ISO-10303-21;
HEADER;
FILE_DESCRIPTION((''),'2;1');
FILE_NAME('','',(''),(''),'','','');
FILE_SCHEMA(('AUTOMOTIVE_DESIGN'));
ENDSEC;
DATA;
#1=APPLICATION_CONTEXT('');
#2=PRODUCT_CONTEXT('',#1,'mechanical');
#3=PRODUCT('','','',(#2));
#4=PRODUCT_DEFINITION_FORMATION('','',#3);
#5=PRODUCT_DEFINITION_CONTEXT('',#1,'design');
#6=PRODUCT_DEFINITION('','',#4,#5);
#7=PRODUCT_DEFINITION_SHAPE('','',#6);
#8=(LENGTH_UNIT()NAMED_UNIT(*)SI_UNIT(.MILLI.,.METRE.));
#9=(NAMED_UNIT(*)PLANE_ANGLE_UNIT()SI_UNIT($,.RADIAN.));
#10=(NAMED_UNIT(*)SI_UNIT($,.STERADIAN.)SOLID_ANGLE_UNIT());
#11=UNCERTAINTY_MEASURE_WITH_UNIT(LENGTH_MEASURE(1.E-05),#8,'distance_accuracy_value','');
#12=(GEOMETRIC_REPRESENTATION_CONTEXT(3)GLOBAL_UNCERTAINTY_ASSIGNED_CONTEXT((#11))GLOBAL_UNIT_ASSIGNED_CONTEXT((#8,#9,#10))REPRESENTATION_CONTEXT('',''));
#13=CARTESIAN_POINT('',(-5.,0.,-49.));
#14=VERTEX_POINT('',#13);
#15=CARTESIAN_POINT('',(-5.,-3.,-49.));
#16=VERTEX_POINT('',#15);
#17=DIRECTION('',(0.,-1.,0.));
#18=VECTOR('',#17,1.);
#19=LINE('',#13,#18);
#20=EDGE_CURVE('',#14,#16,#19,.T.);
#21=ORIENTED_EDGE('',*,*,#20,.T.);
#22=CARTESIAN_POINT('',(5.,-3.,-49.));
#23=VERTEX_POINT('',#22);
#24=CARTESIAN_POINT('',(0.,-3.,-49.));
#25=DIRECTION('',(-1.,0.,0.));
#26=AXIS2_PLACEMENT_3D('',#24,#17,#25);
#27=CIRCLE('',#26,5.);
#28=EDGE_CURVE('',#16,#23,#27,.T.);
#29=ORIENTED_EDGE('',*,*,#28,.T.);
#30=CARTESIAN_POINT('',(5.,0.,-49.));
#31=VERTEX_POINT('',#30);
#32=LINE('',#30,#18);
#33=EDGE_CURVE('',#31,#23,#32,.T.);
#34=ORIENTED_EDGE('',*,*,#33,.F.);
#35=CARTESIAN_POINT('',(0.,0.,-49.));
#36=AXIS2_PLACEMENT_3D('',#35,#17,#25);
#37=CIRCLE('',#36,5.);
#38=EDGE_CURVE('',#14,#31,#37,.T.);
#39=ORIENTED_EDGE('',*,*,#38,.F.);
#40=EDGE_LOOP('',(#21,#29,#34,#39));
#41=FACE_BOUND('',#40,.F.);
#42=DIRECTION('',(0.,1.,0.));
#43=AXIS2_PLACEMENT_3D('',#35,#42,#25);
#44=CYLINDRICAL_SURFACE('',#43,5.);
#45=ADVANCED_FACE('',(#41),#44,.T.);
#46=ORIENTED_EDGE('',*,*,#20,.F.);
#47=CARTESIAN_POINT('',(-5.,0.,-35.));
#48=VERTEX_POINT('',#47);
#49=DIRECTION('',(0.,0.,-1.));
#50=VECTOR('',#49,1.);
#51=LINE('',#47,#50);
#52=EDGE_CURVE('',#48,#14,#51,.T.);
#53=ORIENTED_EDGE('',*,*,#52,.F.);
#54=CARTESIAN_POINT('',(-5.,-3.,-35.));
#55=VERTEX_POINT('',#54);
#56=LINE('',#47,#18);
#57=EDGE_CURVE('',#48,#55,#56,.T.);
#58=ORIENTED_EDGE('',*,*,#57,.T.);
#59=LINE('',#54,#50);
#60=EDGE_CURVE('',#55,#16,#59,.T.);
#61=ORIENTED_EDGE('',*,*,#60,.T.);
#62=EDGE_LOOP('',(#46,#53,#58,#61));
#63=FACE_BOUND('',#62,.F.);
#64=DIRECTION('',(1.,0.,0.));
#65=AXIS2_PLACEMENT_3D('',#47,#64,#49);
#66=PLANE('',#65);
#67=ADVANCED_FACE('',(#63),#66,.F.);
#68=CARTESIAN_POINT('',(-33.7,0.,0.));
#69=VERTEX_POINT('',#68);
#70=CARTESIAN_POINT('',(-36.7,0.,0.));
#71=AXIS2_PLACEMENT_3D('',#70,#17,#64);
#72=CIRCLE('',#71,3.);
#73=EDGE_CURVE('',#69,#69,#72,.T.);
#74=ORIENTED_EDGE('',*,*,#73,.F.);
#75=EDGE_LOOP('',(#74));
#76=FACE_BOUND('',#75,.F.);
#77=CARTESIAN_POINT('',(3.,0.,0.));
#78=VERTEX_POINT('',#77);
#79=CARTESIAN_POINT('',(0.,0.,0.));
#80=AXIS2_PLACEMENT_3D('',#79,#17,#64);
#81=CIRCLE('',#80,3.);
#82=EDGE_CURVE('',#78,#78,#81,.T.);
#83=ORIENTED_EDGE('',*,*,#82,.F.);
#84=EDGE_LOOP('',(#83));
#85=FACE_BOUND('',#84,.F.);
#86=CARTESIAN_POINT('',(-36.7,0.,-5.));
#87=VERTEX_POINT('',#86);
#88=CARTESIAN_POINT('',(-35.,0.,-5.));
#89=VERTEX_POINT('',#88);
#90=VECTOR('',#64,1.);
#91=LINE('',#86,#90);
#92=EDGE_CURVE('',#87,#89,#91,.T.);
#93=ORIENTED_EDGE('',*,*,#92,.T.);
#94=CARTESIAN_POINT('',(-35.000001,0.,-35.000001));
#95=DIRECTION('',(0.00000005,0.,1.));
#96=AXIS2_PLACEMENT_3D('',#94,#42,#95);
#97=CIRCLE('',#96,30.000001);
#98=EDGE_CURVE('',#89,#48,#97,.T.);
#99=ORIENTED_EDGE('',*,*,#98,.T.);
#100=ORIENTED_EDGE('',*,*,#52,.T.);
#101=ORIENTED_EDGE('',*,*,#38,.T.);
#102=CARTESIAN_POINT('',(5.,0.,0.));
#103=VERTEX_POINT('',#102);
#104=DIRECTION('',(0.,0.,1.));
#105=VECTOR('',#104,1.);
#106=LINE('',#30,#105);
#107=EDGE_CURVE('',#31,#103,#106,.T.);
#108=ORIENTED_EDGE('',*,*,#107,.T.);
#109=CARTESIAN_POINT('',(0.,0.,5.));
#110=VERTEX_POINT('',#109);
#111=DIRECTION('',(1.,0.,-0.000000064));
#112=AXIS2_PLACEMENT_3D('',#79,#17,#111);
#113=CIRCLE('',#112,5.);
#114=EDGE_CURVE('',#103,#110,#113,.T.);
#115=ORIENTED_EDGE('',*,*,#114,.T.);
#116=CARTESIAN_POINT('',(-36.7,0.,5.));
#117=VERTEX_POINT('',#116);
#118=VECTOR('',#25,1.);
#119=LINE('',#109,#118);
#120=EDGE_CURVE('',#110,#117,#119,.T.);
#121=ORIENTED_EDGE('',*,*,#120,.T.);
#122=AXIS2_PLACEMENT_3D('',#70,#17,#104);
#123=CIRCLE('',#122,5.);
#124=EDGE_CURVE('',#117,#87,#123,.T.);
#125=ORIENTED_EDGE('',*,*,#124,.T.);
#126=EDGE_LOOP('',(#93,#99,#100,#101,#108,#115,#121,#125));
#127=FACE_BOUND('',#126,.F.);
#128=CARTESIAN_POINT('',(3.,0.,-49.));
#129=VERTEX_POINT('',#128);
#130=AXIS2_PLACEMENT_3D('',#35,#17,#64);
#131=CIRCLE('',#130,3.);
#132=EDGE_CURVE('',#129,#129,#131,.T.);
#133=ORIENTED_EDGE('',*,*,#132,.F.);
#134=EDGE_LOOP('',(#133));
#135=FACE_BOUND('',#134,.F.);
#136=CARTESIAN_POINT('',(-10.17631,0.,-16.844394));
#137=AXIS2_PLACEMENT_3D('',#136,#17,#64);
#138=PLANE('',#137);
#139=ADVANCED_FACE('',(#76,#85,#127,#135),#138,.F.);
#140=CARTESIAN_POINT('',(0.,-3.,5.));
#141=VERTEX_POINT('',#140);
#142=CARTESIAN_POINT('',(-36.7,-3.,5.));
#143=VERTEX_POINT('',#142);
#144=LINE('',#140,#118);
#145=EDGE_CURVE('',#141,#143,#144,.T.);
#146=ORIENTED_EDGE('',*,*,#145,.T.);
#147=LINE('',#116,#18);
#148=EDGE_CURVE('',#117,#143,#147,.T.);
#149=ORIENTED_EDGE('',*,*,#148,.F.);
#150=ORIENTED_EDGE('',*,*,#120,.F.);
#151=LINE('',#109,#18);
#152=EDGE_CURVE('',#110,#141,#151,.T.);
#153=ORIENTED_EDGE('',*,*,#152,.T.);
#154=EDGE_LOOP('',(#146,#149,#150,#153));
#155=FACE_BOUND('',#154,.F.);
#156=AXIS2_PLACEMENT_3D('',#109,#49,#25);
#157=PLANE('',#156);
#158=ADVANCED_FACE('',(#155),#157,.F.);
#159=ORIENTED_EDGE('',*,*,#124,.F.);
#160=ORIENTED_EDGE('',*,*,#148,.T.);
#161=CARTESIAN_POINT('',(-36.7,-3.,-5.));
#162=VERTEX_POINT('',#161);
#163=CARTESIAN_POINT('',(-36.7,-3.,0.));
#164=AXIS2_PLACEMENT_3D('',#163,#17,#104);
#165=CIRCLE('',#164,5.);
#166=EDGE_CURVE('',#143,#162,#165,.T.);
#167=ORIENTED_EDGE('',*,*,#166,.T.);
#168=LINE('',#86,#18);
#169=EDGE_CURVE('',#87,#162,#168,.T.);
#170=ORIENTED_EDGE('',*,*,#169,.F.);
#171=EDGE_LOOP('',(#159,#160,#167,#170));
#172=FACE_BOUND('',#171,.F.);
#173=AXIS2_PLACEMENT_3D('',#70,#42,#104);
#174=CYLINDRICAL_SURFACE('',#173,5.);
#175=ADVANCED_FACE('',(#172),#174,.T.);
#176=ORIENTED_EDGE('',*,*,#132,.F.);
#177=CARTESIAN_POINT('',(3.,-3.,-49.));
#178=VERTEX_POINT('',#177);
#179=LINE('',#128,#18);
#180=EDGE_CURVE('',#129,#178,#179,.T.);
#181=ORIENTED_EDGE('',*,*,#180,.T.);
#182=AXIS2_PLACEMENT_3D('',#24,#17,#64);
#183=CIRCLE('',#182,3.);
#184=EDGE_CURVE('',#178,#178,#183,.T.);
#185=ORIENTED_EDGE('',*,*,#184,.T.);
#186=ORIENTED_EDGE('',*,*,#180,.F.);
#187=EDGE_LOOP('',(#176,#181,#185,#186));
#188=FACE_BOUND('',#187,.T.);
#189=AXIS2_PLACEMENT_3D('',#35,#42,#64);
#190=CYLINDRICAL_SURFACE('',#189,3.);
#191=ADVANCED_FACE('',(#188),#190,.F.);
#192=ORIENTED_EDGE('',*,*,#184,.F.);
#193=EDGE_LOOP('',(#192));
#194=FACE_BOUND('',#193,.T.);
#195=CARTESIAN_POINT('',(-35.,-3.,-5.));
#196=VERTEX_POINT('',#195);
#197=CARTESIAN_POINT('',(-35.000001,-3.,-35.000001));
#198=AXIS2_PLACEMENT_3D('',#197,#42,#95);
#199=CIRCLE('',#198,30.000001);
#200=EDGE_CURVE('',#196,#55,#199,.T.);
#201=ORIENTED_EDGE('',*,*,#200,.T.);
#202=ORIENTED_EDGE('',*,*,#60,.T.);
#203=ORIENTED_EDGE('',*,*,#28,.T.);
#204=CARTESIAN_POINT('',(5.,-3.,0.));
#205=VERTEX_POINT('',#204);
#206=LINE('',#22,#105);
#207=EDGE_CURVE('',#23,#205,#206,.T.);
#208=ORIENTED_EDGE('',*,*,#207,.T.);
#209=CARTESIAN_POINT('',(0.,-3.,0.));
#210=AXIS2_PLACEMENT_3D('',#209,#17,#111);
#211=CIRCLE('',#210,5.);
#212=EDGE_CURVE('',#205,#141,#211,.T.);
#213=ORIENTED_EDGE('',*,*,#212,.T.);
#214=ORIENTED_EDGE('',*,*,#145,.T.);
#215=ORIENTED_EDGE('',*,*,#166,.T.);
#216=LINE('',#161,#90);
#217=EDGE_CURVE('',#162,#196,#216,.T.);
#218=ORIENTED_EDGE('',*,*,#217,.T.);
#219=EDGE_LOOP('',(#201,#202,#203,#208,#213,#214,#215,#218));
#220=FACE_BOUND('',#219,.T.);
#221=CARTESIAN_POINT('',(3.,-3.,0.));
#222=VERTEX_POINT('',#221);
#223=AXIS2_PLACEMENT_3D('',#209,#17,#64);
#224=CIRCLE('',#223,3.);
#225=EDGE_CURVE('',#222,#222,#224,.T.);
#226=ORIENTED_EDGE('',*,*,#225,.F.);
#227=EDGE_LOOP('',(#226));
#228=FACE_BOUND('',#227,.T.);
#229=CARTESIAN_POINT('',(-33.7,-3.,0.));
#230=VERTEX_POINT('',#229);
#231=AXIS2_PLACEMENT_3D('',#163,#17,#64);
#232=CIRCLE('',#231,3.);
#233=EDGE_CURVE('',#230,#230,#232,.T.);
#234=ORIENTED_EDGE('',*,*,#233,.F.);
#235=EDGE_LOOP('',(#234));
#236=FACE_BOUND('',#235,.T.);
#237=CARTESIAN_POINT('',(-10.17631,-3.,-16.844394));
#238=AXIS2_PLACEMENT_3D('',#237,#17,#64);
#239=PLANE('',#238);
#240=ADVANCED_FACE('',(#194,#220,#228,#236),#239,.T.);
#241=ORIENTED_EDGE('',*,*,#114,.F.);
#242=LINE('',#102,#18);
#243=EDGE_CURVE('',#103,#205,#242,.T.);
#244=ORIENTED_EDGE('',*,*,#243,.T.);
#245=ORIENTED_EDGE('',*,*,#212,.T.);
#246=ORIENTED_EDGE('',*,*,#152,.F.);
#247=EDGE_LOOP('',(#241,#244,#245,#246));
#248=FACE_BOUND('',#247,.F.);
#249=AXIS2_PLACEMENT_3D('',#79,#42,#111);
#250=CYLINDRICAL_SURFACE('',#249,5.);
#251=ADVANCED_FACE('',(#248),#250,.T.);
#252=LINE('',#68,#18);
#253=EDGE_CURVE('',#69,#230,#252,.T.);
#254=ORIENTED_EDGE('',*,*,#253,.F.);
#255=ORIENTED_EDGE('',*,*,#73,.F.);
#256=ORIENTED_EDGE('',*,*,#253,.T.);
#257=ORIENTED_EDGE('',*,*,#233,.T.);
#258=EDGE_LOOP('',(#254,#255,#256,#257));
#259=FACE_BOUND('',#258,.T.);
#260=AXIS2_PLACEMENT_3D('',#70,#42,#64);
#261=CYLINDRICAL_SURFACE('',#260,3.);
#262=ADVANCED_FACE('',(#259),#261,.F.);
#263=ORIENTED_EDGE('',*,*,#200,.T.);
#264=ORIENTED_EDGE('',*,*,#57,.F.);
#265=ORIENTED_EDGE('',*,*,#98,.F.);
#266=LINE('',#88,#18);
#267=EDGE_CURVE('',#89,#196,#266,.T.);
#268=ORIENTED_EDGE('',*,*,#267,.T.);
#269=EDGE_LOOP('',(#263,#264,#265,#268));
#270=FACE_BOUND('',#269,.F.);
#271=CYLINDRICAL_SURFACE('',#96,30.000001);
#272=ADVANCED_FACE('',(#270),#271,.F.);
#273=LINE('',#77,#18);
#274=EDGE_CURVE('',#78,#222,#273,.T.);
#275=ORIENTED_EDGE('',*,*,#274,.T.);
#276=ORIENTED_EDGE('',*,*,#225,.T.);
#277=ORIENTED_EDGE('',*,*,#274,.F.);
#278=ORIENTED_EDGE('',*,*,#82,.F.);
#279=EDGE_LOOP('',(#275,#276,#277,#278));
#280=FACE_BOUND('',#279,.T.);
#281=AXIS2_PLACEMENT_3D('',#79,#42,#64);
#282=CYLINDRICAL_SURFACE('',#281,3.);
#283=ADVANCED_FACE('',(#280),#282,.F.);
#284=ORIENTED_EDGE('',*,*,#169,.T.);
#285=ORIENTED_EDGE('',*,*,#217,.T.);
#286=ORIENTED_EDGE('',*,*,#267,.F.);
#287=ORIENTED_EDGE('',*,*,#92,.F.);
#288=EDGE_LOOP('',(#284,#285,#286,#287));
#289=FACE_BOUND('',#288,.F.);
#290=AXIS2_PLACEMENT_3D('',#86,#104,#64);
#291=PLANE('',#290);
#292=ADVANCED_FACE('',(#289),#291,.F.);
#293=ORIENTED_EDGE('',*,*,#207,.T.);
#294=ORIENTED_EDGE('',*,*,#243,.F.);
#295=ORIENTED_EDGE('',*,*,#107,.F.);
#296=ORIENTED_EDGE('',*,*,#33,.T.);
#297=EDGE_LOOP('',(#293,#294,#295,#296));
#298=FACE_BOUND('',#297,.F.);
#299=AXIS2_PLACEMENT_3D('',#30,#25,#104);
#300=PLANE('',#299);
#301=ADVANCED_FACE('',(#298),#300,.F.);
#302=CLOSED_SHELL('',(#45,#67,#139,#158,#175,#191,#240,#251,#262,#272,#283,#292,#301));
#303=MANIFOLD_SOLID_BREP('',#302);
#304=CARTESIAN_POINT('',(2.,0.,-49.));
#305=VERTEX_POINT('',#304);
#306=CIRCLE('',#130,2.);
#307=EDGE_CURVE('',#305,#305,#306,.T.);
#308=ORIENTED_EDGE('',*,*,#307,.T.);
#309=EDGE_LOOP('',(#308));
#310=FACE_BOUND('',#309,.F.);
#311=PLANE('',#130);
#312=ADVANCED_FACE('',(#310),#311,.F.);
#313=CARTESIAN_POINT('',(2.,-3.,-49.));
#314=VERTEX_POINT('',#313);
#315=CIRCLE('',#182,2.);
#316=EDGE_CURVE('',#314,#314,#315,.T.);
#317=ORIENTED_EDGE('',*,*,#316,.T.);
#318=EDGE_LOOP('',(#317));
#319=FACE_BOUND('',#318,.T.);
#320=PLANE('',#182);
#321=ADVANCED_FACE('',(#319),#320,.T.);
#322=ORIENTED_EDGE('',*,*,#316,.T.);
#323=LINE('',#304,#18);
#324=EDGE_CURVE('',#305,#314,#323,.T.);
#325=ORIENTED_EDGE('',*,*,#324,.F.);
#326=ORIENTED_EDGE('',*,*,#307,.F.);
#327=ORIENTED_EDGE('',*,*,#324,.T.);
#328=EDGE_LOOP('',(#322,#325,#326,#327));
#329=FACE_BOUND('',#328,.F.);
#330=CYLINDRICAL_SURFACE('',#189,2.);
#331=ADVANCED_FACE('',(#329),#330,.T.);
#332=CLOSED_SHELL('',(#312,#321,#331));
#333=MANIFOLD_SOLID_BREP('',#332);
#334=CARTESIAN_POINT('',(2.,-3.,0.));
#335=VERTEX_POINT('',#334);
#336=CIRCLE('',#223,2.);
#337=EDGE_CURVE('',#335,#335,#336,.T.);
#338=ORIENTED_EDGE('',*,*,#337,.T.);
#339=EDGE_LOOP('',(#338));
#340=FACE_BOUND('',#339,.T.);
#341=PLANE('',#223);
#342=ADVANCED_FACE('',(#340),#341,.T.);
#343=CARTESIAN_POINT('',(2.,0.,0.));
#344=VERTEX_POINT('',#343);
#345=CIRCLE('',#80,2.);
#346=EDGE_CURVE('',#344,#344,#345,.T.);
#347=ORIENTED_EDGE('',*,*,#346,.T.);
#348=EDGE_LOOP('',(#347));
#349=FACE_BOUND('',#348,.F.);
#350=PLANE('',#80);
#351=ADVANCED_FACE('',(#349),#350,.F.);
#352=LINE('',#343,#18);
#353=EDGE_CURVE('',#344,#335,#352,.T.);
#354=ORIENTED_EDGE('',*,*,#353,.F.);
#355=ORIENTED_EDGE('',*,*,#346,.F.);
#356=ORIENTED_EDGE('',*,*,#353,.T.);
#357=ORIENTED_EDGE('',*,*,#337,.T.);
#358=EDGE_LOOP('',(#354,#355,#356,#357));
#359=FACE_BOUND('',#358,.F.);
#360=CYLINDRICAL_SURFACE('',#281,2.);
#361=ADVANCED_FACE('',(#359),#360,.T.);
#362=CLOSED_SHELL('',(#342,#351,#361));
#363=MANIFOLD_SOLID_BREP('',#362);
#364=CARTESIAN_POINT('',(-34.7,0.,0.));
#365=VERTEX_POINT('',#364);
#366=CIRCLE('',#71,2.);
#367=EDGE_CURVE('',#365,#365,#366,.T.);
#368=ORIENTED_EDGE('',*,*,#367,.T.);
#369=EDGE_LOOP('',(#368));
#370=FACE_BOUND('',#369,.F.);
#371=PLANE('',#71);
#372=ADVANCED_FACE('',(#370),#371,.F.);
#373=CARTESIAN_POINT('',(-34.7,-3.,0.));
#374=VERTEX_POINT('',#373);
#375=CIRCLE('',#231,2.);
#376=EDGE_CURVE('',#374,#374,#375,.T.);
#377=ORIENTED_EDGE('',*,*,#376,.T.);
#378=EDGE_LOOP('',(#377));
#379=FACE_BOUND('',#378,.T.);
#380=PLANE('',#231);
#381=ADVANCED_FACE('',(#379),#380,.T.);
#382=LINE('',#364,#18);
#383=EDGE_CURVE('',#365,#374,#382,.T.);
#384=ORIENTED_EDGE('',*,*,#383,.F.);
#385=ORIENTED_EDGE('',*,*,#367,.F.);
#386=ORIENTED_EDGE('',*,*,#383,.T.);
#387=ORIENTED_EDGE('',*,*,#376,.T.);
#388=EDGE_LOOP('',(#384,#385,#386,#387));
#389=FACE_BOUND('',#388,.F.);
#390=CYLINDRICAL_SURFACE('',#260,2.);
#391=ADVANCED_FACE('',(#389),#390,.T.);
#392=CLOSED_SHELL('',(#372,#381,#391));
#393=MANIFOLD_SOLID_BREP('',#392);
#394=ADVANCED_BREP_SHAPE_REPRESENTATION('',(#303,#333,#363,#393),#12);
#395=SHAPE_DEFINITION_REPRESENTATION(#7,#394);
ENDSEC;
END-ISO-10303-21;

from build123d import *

# Parameters (mm, degrees)
F0_R     = 3
F0_R_2   = 2
F1_DEPTH = 3


with BuildPart() as f1:
    # F0 (on Front) → F1 (new body)
    with BuildSketch(Plane.XZ):
        with BuildLine():
            Line((0, 5), (-36.7, 5))
            ThreePointArc((-36.7, 5), (-41.7, 0), (-36.7, -5))
            Line((-36.7, -5), (-35, -5))
            ThreePointArc((-35, -5), (-13.786797, -13.786797), (-5, -35))
            Line((-5, -35), (-5, -49))
            ThreePointArc((-5, -49), (0, -54), (5, -49))
            Line((5, -49), (5, 0))
            ThreePointArc((5, 0), (3.535534, 3.535534), (0, 5))
        make_face()
        with Locations((0, -49)):
            Circle(F0_R, mode=Mode.SUBTRACT)
        with Locations((-36.7, 0)):
            Circle(F0_R, mode=Mode.SUBTRACT)
        Circle(F0_R, mode=Mode.SUBTRACT)
        with Locations((-36.7, 0)):
            Circle(F0_R_2)
        Circle(F0_R_2)
        with Locations((0, -49)):
            Circle(F0_R_2)
    extrude(amount=F1_DEPTH)


solid = f1.part
